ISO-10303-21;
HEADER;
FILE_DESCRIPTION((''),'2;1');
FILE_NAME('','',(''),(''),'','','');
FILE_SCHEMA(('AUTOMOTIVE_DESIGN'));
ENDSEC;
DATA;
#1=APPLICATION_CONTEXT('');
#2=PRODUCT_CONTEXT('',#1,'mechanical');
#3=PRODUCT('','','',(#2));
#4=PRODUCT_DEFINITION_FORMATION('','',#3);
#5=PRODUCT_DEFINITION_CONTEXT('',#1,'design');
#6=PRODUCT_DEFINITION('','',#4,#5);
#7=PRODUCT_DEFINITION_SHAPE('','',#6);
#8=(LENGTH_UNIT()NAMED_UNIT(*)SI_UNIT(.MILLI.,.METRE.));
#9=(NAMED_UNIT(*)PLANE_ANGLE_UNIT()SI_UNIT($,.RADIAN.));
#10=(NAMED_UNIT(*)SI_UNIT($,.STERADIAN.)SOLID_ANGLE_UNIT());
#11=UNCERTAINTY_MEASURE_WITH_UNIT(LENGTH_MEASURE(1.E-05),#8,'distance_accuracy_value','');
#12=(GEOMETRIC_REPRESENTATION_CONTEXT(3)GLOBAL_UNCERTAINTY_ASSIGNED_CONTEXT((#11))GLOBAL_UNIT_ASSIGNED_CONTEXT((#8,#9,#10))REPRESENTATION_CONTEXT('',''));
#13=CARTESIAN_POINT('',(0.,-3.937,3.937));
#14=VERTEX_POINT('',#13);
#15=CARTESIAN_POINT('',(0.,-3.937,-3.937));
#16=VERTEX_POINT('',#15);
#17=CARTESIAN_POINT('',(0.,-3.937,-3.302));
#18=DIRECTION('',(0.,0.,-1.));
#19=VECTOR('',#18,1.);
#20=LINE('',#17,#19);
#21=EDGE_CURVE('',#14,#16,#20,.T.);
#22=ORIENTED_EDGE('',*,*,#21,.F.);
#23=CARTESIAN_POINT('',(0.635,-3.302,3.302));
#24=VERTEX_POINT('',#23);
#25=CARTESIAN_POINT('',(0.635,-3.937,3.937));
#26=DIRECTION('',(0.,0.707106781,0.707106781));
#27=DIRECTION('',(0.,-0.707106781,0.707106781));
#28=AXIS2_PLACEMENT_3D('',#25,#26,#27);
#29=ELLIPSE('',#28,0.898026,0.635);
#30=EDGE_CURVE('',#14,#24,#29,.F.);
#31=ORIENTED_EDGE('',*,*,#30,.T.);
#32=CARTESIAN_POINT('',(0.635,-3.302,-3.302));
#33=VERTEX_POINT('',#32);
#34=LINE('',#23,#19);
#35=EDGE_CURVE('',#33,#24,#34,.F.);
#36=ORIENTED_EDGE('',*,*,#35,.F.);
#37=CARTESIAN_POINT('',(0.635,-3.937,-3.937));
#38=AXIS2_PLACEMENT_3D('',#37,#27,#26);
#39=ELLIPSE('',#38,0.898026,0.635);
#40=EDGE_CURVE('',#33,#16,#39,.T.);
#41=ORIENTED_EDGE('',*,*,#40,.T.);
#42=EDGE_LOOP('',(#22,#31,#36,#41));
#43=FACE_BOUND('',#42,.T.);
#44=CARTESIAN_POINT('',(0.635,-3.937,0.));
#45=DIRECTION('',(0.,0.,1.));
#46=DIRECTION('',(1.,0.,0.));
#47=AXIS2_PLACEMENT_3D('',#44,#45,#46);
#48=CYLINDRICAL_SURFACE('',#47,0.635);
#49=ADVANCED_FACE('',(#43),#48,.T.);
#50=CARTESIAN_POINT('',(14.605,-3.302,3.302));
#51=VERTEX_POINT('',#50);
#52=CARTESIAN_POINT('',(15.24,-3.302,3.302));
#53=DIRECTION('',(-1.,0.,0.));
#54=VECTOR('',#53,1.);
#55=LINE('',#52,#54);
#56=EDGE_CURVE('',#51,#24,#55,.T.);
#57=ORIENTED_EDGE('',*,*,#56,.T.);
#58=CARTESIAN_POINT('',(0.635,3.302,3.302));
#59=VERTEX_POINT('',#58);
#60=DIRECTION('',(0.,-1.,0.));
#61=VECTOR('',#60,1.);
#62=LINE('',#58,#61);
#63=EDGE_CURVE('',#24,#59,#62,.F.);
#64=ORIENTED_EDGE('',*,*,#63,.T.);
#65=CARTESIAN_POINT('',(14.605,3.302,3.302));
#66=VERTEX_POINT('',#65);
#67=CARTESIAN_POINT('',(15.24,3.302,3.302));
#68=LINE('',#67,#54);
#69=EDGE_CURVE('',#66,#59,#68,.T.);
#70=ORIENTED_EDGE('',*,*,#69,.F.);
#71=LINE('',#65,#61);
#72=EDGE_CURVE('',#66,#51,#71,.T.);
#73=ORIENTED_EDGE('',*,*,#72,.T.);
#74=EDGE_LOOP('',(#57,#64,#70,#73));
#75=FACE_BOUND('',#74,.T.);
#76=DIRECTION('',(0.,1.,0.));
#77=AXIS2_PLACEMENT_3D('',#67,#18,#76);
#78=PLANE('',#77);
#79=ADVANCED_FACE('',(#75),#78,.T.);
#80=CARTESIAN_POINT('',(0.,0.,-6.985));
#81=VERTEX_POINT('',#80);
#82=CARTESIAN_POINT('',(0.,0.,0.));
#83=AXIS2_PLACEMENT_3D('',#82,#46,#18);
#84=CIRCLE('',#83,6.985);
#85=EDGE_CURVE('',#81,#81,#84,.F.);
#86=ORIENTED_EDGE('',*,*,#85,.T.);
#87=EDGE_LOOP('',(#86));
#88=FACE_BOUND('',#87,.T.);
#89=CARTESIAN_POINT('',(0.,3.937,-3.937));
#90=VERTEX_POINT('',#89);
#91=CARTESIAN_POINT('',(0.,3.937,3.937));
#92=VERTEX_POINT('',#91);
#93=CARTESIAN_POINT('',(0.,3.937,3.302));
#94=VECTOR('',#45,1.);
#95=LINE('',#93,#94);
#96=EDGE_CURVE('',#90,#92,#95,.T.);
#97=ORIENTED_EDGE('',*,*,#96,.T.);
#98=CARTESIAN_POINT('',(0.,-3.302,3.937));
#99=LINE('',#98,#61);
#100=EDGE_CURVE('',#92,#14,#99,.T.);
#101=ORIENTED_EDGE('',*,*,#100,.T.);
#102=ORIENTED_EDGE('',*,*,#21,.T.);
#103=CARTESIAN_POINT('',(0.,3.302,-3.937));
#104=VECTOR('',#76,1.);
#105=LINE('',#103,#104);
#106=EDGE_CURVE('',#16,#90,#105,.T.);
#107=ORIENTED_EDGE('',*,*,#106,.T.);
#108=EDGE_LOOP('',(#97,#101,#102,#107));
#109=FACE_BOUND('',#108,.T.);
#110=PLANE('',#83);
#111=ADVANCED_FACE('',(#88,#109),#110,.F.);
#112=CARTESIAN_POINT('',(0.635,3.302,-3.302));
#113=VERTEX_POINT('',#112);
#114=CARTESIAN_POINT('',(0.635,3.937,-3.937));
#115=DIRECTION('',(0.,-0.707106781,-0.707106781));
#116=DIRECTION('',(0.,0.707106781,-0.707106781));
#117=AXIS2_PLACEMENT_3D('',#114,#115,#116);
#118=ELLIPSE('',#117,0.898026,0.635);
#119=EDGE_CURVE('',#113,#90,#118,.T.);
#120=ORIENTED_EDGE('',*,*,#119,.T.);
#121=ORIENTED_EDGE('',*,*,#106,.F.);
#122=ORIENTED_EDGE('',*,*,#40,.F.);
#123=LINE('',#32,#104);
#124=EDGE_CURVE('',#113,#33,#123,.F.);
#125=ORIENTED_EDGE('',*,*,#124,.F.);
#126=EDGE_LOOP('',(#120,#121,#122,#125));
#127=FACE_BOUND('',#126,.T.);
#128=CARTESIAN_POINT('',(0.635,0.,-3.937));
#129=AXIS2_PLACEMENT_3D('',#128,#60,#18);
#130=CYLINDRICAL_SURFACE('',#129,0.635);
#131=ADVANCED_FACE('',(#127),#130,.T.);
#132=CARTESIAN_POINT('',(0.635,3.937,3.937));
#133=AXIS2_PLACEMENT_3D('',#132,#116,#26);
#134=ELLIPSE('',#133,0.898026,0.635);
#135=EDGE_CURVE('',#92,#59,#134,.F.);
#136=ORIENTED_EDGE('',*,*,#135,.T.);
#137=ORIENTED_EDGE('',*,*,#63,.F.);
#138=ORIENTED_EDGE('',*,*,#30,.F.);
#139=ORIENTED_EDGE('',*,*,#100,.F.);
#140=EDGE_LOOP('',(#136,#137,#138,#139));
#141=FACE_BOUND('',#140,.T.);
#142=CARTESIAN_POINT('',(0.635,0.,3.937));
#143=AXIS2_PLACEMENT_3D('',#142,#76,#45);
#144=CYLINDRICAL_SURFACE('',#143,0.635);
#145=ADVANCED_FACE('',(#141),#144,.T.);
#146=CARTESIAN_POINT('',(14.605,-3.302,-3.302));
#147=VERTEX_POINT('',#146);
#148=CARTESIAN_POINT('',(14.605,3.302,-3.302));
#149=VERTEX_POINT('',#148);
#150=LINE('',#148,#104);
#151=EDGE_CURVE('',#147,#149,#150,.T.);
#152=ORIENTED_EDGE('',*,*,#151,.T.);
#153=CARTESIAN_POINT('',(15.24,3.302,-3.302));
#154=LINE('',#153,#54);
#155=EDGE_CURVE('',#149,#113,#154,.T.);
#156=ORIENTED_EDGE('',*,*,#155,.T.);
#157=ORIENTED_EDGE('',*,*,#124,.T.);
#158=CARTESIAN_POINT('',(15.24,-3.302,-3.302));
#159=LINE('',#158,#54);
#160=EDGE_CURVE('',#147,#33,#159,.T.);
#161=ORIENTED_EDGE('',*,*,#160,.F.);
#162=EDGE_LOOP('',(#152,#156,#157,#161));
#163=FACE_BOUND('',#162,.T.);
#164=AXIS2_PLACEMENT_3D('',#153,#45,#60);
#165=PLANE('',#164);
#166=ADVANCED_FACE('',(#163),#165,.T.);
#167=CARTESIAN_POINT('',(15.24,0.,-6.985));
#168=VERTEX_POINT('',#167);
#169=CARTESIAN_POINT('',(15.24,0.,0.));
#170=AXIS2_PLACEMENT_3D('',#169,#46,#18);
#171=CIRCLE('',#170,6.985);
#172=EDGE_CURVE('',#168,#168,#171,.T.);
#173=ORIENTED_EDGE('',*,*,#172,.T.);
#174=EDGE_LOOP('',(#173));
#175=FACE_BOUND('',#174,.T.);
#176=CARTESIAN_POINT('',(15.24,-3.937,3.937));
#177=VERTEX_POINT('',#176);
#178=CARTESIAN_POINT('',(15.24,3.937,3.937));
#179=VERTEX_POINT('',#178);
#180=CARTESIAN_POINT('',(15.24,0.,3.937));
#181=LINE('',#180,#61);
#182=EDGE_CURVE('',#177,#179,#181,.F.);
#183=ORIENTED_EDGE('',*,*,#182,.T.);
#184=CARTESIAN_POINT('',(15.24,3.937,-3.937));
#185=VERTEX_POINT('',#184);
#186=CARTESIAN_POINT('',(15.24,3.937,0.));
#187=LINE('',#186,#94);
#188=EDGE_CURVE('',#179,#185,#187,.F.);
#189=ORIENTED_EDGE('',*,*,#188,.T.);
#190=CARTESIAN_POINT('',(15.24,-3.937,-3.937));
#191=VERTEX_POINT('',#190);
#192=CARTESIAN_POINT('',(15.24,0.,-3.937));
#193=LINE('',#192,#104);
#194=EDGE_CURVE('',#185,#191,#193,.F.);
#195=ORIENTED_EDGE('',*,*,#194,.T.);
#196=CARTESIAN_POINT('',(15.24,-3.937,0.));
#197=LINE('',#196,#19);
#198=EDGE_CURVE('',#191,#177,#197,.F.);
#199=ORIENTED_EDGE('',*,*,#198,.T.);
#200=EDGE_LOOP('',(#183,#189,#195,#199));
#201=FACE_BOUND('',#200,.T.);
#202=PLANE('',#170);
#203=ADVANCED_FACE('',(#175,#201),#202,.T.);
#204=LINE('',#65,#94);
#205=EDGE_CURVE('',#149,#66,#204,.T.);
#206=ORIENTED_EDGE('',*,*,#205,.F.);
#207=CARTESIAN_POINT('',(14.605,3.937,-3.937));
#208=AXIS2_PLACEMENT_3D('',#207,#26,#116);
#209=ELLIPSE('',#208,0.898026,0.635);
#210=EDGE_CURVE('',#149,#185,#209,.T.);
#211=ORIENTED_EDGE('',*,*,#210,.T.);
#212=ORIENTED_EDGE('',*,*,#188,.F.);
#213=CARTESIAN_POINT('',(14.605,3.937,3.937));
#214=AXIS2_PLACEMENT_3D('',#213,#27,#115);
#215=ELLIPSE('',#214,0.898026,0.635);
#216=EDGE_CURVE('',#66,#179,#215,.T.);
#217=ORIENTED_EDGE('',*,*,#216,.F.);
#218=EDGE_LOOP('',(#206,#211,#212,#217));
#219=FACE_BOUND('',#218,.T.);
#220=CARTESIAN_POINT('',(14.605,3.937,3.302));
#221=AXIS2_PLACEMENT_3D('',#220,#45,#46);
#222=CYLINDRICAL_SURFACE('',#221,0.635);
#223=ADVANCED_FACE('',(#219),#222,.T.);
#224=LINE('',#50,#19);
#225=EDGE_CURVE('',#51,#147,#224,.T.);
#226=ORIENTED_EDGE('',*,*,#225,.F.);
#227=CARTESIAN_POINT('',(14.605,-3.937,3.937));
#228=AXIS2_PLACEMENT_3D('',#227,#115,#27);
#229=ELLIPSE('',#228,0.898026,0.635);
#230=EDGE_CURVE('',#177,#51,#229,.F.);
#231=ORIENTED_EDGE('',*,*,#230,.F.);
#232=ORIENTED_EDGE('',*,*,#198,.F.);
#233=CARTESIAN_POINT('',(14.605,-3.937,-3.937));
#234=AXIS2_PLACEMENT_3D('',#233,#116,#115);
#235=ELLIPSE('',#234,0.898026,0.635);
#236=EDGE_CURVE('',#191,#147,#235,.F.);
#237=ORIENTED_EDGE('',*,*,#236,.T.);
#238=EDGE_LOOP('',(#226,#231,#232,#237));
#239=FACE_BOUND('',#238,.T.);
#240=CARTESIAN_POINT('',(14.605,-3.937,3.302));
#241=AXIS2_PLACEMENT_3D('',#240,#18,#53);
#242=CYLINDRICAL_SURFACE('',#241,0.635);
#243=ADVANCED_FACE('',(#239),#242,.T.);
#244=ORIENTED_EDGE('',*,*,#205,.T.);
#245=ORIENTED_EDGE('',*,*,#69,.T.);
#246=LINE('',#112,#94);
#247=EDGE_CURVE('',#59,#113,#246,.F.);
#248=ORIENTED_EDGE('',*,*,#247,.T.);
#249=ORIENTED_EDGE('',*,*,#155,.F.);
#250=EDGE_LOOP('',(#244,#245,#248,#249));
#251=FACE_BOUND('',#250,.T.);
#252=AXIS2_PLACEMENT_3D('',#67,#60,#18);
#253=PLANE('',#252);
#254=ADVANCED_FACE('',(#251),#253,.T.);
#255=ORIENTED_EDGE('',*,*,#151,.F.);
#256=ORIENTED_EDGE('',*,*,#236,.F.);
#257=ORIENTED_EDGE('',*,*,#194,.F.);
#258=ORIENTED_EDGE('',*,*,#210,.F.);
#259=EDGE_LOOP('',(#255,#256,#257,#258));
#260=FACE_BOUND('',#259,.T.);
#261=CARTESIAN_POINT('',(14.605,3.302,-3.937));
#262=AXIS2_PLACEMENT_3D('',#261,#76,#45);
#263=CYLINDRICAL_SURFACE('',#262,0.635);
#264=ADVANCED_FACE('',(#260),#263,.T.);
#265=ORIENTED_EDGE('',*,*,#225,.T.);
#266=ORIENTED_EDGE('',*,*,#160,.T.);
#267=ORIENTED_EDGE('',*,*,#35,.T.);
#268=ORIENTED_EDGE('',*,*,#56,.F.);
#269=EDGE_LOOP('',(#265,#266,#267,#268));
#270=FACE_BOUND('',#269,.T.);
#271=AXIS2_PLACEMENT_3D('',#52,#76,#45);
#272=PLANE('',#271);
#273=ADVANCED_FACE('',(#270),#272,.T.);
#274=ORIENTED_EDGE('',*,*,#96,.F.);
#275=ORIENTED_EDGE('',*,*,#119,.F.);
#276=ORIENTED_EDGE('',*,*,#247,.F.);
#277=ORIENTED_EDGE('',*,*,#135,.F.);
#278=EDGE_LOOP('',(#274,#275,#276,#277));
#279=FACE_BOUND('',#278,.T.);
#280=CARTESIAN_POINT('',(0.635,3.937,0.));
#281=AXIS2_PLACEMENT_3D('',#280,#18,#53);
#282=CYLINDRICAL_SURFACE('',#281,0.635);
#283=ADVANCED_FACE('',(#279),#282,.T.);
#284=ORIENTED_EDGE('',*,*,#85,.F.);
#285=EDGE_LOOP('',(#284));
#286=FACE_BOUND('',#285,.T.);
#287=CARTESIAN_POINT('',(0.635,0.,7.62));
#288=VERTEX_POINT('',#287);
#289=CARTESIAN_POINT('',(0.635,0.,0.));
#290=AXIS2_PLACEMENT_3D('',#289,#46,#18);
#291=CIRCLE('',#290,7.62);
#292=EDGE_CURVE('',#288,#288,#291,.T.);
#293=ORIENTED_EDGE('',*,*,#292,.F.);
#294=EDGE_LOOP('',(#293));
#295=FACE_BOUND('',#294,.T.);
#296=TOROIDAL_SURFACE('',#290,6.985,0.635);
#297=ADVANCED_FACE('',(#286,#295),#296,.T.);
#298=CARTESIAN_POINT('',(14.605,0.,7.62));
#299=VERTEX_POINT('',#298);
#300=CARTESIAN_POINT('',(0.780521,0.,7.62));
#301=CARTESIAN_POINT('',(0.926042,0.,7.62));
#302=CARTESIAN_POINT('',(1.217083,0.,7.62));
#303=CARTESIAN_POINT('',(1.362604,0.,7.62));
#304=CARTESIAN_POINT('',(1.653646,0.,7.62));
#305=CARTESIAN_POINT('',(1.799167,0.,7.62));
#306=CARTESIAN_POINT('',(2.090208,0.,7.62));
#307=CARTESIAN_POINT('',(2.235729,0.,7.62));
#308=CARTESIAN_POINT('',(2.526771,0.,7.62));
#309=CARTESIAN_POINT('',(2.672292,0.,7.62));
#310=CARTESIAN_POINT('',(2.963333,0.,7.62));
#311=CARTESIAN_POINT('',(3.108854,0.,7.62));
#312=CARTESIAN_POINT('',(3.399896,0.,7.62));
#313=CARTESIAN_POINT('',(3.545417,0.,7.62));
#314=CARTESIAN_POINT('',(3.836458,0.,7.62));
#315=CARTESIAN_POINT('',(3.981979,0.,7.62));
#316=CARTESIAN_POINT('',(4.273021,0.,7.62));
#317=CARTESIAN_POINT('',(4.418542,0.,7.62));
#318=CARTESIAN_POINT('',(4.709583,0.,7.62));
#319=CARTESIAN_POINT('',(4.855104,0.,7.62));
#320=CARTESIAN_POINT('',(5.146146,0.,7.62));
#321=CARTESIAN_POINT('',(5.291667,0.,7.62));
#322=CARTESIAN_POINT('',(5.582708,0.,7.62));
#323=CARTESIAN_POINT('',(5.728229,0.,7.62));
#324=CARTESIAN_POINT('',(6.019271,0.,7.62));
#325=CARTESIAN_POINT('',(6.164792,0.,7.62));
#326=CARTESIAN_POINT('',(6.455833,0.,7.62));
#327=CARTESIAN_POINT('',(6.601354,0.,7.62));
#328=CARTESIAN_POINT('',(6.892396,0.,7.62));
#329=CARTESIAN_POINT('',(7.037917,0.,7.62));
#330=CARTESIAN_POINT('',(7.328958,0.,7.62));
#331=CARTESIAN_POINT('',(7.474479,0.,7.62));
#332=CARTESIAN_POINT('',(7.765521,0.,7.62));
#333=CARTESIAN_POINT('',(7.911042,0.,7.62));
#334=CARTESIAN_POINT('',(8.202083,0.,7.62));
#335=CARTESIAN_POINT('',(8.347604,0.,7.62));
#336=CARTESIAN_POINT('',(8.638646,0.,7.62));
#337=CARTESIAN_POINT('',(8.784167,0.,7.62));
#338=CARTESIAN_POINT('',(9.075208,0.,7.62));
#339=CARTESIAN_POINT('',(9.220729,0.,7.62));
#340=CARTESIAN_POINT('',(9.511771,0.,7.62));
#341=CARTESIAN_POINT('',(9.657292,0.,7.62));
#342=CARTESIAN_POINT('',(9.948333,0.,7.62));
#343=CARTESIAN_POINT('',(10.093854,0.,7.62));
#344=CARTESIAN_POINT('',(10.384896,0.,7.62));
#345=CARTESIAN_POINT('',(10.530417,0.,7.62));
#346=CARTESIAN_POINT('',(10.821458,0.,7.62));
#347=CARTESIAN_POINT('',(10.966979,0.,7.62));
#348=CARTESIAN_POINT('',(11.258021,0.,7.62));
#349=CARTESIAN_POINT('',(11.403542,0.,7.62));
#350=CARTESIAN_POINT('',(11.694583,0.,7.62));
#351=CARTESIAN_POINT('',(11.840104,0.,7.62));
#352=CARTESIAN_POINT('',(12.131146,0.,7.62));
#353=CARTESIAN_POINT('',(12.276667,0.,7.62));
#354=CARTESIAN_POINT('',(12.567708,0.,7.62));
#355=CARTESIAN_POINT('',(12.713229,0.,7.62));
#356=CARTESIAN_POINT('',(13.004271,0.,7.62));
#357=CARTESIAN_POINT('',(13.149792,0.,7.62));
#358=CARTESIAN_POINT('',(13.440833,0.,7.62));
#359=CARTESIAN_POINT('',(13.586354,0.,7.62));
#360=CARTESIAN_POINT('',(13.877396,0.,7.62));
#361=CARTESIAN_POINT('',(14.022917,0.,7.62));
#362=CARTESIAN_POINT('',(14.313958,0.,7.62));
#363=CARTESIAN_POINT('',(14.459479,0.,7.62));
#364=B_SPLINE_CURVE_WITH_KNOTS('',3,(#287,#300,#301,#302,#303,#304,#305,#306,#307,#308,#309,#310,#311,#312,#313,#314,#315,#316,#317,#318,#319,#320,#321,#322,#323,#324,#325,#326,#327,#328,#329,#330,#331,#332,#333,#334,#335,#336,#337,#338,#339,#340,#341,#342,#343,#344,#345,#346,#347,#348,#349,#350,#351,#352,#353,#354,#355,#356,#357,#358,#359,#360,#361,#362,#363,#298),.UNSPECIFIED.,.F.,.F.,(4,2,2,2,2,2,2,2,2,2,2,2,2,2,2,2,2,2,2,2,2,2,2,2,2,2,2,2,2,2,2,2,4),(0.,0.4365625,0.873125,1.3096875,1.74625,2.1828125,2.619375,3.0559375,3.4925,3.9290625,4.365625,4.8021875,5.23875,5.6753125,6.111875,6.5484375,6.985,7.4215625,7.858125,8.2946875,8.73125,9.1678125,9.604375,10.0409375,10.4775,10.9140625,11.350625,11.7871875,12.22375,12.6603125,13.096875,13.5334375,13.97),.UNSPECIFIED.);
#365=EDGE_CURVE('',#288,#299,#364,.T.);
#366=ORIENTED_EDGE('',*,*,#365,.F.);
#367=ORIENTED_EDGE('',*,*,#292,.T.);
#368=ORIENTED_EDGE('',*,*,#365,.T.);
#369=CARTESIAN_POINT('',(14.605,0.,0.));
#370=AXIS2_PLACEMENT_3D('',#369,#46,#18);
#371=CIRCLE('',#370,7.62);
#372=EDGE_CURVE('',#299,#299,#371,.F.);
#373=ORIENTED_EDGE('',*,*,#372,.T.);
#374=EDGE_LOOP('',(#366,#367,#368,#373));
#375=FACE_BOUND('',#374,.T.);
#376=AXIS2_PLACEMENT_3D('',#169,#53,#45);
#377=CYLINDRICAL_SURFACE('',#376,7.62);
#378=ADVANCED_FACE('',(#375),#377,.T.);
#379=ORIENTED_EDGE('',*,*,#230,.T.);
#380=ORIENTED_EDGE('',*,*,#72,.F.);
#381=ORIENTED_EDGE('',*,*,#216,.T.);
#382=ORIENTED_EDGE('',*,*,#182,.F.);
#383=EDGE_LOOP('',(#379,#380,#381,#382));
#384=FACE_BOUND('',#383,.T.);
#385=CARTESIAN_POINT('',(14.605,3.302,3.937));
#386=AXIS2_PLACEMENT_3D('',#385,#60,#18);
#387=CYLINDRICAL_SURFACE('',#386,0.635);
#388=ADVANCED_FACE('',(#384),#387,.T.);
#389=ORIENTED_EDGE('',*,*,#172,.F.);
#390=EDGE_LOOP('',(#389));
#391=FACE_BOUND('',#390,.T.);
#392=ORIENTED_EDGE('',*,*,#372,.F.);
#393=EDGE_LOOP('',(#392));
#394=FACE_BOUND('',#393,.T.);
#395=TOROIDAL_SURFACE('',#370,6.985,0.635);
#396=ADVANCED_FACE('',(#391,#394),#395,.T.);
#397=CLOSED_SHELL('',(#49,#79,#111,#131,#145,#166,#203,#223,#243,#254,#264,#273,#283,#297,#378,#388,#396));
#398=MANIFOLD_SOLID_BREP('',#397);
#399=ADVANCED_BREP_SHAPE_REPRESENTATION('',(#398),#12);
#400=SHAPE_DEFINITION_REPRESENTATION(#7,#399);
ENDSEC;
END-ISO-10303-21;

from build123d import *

# Parameters (mm, degrees)
SKETCH1_R           = 7.62
SKETCH1_W           = 6.604
SKETCH1_H           = 6.604
BOSS_EXTRUDE1_DEPTH = 15.24
FILLET1_R           = 0.635


with BuildPart() as part:
    # Sketch1 → Boss-Extrude1 (new body)
    with BuildSketch(Plane(origin=(0, 0, 0), x_dir=(0, 0, -1), z_dir=(1, 0, 0))):
        with Locations(Location((0, 0, 0), (0, 0, 180))):
            Circle(SKETCH1_R)
        Rectangle(SKETCH1_W, SKETCH1_H, mode=Mode.SUBTRACT)
    extrude(amount=BOSS_EXTRUDE1_DEPTH)

    # Fillet1
    fillet1_edges = [part.edges().sort_by_distance(p)[0] for p in [
        (15.24, 0, 3.302),
        (15.24, -3.302, 0),
        (0, 0, -7.62),
        (15.24, 0, -7.62),
        (0, 0, -3.302),
        (0, 3.302, 0),
        (0, 0, 3.302),
        (0, -3.302, 0),
        (15.24, 0, -3.302),
        (15.24, 3.302, 0),
    ]]
    fillet(fillet1_edges, radius=FILLET1_R)


solid = part.part
